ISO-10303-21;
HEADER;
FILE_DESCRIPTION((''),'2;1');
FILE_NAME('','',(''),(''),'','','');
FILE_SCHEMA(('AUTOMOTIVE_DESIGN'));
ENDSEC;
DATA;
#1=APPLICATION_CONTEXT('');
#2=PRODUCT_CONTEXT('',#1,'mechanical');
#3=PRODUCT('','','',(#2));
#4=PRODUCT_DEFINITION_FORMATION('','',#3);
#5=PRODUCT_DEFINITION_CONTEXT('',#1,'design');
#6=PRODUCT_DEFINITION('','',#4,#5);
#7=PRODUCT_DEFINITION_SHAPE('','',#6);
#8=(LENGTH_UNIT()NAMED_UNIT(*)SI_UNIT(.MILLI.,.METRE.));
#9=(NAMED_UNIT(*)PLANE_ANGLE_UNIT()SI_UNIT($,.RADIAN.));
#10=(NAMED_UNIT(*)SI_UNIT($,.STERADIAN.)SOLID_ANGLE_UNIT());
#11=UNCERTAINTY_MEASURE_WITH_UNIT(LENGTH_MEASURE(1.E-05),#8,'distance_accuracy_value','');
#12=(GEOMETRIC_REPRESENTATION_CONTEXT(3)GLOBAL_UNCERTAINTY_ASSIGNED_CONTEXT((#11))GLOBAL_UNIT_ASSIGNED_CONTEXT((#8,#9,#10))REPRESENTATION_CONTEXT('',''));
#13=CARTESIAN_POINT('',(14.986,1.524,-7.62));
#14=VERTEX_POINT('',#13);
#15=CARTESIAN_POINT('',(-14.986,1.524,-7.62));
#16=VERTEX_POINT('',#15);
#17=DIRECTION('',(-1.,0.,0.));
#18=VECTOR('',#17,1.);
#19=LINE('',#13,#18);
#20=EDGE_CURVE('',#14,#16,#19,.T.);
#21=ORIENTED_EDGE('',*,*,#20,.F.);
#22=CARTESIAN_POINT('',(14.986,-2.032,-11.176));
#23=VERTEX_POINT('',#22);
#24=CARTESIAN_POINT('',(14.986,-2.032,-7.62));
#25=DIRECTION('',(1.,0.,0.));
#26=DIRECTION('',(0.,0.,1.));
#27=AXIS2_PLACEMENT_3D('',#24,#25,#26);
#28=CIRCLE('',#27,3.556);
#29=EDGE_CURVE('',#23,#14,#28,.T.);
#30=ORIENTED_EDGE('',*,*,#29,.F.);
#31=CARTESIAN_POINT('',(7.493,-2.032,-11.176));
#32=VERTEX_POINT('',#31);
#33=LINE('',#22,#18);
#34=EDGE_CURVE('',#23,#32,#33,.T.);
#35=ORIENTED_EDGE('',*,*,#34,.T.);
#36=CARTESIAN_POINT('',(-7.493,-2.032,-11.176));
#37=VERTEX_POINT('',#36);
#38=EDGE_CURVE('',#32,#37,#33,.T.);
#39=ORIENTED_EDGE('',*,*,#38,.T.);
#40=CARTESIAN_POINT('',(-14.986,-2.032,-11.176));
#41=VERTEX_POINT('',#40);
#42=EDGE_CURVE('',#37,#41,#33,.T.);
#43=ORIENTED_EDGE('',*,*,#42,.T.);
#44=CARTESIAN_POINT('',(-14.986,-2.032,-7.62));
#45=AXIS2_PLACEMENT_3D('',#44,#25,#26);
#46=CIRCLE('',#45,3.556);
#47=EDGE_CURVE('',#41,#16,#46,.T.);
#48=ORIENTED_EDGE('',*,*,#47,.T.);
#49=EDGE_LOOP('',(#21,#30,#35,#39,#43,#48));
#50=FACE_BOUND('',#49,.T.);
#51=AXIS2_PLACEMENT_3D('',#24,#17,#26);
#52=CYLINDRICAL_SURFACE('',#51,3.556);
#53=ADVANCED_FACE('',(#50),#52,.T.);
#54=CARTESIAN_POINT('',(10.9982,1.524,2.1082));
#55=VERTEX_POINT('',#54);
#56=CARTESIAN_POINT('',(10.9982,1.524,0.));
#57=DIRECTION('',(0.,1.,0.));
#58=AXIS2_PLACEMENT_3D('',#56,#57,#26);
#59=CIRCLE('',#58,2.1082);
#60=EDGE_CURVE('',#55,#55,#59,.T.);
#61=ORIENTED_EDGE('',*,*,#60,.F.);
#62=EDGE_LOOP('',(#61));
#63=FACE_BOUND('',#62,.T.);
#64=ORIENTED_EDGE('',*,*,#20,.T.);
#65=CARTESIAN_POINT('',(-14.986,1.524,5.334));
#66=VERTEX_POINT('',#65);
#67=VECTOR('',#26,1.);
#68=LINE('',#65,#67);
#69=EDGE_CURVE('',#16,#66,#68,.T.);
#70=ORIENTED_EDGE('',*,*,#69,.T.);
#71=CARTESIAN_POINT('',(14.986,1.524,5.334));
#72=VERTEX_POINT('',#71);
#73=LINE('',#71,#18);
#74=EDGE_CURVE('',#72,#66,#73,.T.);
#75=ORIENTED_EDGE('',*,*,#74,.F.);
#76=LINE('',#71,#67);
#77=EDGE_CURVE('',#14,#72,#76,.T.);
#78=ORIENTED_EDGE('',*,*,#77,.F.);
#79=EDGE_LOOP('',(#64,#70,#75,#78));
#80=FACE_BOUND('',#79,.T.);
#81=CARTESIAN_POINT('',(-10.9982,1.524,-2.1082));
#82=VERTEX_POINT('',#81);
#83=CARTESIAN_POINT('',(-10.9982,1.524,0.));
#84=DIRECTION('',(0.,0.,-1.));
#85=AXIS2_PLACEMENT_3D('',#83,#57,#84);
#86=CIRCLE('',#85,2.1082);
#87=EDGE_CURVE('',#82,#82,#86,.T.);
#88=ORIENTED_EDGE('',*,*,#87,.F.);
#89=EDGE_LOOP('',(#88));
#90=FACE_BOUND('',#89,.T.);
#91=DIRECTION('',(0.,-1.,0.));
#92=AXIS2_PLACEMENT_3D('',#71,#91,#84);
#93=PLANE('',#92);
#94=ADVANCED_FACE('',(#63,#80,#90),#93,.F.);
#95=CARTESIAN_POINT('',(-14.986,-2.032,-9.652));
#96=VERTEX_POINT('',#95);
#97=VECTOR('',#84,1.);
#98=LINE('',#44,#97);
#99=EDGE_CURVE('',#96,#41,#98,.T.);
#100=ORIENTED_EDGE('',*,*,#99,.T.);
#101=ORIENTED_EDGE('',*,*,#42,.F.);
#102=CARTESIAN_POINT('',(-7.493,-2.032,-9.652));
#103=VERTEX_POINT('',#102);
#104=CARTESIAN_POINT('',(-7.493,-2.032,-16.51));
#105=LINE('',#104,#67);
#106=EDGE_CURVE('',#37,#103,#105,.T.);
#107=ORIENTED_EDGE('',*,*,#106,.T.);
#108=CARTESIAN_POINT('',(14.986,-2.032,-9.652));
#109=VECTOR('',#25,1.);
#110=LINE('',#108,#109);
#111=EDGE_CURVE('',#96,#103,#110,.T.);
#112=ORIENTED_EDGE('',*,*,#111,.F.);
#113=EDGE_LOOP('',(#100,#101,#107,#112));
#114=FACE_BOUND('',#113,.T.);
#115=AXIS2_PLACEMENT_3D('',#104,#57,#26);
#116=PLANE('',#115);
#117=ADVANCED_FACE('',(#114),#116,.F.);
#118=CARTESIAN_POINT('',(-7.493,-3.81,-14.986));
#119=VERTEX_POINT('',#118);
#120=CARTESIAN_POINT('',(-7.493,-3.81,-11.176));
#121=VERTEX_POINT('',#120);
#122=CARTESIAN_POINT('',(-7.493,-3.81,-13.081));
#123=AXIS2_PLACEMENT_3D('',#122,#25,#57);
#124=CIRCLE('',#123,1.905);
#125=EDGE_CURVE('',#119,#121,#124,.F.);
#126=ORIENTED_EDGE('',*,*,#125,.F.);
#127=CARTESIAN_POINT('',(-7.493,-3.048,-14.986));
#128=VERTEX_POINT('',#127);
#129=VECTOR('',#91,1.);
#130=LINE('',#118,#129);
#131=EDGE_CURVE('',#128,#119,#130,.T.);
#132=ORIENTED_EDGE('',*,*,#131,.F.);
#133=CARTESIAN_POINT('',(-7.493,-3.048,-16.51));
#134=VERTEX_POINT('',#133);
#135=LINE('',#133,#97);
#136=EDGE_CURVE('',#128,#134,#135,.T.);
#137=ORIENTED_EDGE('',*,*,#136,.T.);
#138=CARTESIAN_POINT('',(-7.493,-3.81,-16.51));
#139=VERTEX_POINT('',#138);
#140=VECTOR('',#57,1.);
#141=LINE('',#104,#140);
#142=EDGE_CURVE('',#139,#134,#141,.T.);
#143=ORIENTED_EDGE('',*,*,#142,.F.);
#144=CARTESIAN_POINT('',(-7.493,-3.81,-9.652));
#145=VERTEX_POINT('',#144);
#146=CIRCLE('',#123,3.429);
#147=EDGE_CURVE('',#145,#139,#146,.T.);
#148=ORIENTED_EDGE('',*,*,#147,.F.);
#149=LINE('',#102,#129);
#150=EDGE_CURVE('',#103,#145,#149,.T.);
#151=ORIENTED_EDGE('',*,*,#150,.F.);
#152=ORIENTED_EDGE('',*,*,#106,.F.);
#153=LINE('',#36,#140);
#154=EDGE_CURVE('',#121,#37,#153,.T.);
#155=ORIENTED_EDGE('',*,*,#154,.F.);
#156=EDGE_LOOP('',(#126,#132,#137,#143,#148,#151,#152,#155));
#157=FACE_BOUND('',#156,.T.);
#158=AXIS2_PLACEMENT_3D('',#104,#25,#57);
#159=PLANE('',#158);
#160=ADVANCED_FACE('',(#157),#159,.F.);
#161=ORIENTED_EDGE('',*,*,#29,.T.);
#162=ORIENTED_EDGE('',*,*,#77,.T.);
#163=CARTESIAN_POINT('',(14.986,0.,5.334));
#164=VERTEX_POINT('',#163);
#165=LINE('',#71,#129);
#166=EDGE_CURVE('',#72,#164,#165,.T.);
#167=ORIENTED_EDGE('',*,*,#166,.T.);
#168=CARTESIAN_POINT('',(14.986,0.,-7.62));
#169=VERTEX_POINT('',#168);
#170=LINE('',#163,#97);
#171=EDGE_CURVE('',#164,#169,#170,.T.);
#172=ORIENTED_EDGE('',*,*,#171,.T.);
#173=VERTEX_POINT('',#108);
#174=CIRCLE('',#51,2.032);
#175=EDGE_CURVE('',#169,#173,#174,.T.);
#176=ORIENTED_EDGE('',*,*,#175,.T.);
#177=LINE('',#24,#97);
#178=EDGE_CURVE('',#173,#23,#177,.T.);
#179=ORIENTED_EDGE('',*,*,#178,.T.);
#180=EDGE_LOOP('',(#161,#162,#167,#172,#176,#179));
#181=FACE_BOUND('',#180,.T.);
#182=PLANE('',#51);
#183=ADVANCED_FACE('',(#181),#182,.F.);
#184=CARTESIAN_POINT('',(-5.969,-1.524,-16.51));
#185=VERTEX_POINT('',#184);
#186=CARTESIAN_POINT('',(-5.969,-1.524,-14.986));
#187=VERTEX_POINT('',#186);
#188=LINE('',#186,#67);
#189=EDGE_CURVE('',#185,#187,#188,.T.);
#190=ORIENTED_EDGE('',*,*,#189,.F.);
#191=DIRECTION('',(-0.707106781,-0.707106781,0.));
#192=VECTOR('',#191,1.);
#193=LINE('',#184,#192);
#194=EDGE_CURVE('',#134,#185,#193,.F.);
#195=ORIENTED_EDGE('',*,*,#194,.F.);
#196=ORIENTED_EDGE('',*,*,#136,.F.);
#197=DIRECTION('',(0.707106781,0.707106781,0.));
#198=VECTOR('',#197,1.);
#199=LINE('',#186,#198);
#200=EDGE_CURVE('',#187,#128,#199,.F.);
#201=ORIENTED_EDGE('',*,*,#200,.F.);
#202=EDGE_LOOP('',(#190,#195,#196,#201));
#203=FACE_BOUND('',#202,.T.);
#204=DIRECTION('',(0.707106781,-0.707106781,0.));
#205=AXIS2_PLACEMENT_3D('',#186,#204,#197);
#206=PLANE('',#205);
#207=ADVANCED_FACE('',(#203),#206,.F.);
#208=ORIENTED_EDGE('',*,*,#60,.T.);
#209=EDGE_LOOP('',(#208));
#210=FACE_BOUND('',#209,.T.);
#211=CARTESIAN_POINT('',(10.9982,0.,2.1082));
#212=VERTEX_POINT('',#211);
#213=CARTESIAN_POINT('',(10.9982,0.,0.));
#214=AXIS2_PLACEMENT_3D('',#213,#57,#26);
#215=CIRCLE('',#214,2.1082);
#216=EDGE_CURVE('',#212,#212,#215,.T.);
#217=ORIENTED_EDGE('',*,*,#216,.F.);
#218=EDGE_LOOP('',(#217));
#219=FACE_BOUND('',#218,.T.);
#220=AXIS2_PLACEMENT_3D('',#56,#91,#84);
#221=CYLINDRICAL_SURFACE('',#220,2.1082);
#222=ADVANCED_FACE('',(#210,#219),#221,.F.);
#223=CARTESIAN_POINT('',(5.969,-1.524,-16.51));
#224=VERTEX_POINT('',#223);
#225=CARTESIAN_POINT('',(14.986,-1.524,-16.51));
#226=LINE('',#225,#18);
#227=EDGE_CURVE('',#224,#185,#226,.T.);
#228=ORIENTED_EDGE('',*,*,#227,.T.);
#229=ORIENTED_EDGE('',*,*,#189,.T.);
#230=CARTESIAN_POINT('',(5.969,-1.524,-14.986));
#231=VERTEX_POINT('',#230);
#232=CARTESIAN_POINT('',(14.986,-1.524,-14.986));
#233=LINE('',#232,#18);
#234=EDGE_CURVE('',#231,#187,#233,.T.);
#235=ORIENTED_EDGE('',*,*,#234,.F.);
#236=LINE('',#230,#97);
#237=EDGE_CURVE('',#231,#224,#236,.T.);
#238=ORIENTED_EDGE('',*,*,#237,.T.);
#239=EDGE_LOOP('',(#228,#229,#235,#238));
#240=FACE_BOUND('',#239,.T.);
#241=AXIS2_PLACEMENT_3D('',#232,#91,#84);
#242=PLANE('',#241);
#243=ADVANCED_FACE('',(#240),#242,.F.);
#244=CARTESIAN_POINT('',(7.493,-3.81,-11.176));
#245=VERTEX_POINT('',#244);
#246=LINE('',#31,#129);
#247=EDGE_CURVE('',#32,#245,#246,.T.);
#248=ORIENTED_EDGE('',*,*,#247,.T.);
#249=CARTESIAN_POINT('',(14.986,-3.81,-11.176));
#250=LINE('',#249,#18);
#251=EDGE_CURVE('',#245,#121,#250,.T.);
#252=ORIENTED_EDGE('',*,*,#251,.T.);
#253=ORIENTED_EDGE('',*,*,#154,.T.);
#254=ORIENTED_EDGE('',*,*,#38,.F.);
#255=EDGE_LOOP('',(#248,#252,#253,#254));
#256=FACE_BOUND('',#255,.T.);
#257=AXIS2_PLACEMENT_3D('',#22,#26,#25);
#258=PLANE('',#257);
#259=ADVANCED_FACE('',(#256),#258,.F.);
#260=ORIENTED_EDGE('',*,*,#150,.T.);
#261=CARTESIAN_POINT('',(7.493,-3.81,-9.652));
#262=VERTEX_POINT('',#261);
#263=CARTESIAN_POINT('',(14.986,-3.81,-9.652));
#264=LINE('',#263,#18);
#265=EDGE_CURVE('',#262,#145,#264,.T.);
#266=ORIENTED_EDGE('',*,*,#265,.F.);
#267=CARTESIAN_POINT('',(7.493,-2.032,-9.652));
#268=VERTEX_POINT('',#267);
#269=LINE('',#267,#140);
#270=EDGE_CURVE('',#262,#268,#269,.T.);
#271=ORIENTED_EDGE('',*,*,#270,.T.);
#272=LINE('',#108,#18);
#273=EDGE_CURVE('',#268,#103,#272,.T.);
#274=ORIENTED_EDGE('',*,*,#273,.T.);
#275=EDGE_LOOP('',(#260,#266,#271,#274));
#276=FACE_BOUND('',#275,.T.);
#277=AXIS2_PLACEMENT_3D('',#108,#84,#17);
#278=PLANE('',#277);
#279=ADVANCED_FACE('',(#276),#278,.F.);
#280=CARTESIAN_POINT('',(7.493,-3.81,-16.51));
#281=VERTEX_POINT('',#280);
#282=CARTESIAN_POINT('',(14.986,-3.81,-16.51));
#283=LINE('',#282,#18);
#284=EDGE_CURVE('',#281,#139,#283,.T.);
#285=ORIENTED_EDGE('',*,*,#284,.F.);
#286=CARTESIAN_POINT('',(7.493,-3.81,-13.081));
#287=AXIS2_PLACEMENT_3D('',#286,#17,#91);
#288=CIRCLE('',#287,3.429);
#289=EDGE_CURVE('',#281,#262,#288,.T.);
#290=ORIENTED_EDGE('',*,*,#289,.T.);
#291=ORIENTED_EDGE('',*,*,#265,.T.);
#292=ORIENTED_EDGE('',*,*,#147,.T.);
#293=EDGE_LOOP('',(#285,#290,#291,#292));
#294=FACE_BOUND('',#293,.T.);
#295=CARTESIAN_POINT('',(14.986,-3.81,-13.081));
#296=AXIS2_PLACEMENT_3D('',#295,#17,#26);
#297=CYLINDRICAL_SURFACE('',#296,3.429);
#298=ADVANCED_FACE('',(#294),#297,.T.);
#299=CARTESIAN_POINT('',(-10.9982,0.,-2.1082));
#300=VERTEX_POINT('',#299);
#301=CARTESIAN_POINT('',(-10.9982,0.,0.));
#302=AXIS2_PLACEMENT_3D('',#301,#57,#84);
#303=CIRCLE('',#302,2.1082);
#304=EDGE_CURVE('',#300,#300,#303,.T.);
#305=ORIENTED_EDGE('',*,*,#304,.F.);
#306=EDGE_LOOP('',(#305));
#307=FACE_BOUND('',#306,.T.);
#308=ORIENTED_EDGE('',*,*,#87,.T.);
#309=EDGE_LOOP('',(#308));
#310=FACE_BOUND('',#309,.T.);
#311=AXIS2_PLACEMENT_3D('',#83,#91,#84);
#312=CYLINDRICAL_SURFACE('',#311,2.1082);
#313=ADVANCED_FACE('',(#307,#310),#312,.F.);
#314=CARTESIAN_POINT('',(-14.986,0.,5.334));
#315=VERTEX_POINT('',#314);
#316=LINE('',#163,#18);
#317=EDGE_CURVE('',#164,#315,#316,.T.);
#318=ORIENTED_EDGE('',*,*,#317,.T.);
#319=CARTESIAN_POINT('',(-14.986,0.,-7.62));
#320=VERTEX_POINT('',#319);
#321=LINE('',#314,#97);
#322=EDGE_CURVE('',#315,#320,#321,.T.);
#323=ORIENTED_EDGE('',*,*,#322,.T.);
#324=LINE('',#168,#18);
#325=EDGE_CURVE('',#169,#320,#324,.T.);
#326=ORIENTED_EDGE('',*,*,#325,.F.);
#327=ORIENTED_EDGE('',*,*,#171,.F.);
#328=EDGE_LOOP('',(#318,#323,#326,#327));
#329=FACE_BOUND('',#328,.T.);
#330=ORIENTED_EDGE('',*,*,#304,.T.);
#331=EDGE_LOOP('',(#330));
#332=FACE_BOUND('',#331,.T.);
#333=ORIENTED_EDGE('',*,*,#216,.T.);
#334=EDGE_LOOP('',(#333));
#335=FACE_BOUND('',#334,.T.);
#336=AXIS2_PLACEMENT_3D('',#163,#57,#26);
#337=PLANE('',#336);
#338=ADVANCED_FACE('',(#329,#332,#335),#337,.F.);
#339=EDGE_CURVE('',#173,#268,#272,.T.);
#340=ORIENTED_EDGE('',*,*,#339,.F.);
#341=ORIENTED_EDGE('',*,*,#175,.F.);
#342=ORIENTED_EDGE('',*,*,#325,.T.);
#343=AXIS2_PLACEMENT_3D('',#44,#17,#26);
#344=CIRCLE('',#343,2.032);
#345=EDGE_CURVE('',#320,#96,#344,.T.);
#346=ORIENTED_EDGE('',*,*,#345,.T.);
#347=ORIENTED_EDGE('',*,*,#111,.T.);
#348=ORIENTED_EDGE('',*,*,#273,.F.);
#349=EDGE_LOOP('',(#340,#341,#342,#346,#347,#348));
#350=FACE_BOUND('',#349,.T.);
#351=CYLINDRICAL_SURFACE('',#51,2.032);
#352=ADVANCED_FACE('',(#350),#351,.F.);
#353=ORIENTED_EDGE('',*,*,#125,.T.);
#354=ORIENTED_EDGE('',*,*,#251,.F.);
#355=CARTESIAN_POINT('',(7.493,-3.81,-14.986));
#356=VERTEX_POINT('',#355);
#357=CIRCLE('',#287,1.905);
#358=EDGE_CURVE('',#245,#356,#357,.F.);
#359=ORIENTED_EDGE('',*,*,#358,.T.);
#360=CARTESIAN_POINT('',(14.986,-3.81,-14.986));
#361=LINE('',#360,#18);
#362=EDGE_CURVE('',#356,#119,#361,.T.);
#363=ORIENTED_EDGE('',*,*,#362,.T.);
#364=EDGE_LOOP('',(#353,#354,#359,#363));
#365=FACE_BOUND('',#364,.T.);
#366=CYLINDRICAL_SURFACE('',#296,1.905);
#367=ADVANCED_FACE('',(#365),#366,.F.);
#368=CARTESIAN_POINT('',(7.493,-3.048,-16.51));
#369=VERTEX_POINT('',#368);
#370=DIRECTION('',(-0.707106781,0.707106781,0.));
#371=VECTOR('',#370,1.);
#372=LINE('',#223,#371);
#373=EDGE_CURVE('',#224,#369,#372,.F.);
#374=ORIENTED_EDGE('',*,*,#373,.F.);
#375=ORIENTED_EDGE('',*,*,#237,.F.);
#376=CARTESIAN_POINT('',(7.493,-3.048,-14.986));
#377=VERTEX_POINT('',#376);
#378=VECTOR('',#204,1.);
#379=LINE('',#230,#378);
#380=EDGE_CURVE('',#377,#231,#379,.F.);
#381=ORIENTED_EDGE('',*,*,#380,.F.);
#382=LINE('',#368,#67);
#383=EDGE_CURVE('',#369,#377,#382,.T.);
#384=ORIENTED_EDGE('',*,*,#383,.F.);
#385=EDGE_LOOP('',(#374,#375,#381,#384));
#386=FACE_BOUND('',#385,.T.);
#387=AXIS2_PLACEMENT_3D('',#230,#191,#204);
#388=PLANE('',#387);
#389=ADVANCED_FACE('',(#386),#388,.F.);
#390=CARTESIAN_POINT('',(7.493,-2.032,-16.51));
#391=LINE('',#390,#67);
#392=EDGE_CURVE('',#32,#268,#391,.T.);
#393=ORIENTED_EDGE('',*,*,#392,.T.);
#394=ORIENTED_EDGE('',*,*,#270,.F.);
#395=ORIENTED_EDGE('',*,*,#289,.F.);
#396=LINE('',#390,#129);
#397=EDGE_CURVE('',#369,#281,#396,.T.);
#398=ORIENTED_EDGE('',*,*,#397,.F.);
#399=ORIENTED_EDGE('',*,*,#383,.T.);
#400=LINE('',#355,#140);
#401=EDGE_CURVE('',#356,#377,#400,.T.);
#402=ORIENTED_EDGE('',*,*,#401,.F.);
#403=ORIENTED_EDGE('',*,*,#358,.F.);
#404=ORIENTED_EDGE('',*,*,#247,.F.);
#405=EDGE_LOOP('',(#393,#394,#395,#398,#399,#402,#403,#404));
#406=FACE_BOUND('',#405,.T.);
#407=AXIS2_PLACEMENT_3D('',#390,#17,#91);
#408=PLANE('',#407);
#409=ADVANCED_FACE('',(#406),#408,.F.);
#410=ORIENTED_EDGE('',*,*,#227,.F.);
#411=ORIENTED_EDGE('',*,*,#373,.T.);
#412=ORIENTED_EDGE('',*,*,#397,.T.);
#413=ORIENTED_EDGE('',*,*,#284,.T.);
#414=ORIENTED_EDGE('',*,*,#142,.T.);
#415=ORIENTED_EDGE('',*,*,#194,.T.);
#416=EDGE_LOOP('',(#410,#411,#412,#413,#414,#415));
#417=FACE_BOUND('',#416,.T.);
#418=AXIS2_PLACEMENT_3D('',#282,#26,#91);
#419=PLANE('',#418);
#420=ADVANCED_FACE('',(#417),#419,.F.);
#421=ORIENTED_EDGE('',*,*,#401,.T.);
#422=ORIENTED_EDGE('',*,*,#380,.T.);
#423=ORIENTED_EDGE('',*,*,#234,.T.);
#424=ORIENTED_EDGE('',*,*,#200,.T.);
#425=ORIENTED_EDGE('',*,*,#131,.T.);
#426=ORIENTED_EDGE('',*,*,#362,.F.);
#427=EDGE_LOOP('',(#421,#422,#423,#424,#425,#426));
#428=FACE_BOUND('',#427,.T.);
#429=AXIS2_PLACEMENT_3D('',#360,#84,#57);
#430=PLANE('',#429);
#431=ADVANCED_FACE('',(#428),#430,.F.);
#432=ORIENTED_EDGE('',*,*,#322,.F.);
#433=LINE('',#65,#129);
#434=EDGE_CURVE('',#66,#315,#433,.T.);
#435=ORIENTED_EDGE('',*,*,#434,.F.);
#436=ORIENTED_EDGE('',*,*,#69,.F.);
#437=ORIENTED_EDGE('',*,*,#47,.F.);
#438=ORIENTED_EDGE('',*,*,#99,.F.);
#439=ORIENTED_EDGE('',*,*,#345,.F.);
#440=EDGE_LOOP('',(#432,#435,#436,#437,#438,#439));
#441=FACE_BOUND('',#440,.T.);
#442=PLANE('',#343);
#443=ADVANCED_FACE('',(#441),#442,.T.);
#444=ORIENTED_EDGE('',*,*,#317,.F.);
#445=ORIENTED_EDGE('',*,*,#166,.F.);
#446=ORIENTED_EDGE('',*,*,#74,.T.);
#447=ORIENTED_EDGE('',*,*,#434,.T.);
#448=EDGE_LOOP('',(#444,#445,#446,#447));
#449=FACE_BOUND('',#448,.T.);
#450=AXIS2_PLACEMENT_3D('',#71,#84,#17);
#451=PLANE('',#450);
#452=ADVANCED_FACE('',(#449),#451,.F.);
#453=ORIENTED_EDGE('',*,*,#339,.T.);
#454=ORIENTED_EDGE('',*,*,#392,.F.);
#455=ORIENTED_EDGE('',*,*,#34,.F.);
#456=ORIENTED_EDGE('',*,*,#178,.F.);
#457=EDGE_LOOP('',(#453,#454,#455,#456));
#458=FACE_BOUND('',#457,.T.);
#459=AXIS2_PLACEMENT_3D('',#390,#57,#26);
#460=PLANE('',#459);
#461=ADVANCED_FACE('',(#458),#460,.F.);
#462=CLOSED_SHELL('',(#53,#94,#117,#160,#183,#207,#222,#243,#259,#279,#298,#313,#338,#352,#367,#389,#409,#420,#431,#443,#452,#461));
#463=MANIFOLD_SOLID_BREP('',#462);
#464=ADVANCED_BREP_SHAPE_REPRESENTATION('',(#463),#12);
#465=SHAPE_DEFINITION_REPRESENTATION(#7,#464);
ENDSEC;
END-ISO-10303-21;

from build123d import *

# Parameters (mm, degrees)
EXTRUDE1_DEPTH     = 14.986
SKETCH3_W          = 10.126198966
SKETCH3_H          = 9.525984496
CUT_EXTRUDE1_DEPTH = 24.44276897
SKETCH4_W          = 11.338244961
SKETCH4_H          = 6.180272868
SKETCH4_W_2        = 9.014834109
SKETCH4_H_2        = 6.970232558
CUT_EXTRUDE2_DEPTH = 24.44276897
CHAMFER1_SIZE      = 1.524
SKETCH5_R          = 2.1082
CUT_EXTRUDE3_DEPTH = 24.44276897


with BuildPart() as part:
    # Sketch2 → Extrude1 (new, symmetric)
    with BuildSketch(Plane(origin=(0, 0, 0), x_dir=(0, 0, -1), z_dir=(1, 0, 0))):
        with BuildLine():
            Line((-5.334, 0), (7.62, 0))
            ThreePointArc((7.62, 0), (9.056840979, -0.595159021), (9.652, -2.032))
            Line((9.652, -2.032), (9.652, -3.81))
            ThreePointArc((9.652, -3.81), (13.081, -7.239), (16.51, -3.81))
            Line((16.51, -3.81), (16.51, -1.524))
            Line((16.51, -1.524), (14.986, -1.524))
            Line((14.986, -1.524), (14.986, -3.81))
            ThreePointArc((14.986, -3.81), (13.081, -5.715), (11.176, -3.81))
            Line((11.176, -3.81), (11.176, -2.032))
            ThreePointArc((11.176, -2.032), (10.134471714, 0.482471714), (7.62, 1.524))
            Line((7.62, 1.524), (-5.334, 1.524))
            Line((-5.334, 1.524), (-5.334, 0))
        make_face()
    extrude(amount=EXTRUDE1_DEPTH, both=True)

    # Sketch3 → Cut-Extrude1 (cut, through all)
    with BuildSketch(Plane.XY):
        with Locations((-12.556099483, -6.794992248)):
            Rectangle(SKETCH3_W, SKETCH3_H)
        with Locations((12.556099483, -6.794992248)):
            Rectangle(SKETCH3_W, SKETCH3_H)
    extrude(amount=-CUT_EXTRUDE1_DEPTH, mode=Mode.SUBTRACT)

    # Sketch4 → Cut-Extrude2 (cut, through all)
    with BuildSketch(Plane(origin=(0, 0, 0), x_dir=(1, 0, 0), z_dir=(0, 1, 0))):
        with Locations((-13.16212248, 16.740372093)):
            Rectangle(SKETCH4_W, SKETCH4_H)
        with Locations((12.000417055, 16.577733333)):
            Rectangle(SKETCH4_W_2, SKETCH4_H_2)
    extrude(amount=-CUT_EXTRUDE2_DEPTH, mode=Mode.SUBTRACT)

    # Chamfer1
    chamfer1_edges = [part.edges().sort_by_distance(p)[0] for p in [
        (7.493, -1.524, -15.748),
        (-7.493, -1.524, -15.748),
    ]]
    chamfer(chamfer1_edges, length=CHAMFER1_SIZE)

    # Sketch5 → Cut-Extrude3 (cut, through all)
    with BuildSketch(Plane(origin=(0, 0, 0), x_dir=(1, 0, 0), z_dir=(0, 1, 0))):
        with Locations(Location((10.9982, 0, 0), (0, 0, 270))):
            Circle(SKETCH5_R)
        with Locations(Location((-10.9982, 0, 0), (0, 0, 90))):
            Circle(SKETCH5_R)
    extrude(amount=CUT_EXTRUDE3_DEPTH, mode=Mode.SUBTRACT)


solid = part.part
